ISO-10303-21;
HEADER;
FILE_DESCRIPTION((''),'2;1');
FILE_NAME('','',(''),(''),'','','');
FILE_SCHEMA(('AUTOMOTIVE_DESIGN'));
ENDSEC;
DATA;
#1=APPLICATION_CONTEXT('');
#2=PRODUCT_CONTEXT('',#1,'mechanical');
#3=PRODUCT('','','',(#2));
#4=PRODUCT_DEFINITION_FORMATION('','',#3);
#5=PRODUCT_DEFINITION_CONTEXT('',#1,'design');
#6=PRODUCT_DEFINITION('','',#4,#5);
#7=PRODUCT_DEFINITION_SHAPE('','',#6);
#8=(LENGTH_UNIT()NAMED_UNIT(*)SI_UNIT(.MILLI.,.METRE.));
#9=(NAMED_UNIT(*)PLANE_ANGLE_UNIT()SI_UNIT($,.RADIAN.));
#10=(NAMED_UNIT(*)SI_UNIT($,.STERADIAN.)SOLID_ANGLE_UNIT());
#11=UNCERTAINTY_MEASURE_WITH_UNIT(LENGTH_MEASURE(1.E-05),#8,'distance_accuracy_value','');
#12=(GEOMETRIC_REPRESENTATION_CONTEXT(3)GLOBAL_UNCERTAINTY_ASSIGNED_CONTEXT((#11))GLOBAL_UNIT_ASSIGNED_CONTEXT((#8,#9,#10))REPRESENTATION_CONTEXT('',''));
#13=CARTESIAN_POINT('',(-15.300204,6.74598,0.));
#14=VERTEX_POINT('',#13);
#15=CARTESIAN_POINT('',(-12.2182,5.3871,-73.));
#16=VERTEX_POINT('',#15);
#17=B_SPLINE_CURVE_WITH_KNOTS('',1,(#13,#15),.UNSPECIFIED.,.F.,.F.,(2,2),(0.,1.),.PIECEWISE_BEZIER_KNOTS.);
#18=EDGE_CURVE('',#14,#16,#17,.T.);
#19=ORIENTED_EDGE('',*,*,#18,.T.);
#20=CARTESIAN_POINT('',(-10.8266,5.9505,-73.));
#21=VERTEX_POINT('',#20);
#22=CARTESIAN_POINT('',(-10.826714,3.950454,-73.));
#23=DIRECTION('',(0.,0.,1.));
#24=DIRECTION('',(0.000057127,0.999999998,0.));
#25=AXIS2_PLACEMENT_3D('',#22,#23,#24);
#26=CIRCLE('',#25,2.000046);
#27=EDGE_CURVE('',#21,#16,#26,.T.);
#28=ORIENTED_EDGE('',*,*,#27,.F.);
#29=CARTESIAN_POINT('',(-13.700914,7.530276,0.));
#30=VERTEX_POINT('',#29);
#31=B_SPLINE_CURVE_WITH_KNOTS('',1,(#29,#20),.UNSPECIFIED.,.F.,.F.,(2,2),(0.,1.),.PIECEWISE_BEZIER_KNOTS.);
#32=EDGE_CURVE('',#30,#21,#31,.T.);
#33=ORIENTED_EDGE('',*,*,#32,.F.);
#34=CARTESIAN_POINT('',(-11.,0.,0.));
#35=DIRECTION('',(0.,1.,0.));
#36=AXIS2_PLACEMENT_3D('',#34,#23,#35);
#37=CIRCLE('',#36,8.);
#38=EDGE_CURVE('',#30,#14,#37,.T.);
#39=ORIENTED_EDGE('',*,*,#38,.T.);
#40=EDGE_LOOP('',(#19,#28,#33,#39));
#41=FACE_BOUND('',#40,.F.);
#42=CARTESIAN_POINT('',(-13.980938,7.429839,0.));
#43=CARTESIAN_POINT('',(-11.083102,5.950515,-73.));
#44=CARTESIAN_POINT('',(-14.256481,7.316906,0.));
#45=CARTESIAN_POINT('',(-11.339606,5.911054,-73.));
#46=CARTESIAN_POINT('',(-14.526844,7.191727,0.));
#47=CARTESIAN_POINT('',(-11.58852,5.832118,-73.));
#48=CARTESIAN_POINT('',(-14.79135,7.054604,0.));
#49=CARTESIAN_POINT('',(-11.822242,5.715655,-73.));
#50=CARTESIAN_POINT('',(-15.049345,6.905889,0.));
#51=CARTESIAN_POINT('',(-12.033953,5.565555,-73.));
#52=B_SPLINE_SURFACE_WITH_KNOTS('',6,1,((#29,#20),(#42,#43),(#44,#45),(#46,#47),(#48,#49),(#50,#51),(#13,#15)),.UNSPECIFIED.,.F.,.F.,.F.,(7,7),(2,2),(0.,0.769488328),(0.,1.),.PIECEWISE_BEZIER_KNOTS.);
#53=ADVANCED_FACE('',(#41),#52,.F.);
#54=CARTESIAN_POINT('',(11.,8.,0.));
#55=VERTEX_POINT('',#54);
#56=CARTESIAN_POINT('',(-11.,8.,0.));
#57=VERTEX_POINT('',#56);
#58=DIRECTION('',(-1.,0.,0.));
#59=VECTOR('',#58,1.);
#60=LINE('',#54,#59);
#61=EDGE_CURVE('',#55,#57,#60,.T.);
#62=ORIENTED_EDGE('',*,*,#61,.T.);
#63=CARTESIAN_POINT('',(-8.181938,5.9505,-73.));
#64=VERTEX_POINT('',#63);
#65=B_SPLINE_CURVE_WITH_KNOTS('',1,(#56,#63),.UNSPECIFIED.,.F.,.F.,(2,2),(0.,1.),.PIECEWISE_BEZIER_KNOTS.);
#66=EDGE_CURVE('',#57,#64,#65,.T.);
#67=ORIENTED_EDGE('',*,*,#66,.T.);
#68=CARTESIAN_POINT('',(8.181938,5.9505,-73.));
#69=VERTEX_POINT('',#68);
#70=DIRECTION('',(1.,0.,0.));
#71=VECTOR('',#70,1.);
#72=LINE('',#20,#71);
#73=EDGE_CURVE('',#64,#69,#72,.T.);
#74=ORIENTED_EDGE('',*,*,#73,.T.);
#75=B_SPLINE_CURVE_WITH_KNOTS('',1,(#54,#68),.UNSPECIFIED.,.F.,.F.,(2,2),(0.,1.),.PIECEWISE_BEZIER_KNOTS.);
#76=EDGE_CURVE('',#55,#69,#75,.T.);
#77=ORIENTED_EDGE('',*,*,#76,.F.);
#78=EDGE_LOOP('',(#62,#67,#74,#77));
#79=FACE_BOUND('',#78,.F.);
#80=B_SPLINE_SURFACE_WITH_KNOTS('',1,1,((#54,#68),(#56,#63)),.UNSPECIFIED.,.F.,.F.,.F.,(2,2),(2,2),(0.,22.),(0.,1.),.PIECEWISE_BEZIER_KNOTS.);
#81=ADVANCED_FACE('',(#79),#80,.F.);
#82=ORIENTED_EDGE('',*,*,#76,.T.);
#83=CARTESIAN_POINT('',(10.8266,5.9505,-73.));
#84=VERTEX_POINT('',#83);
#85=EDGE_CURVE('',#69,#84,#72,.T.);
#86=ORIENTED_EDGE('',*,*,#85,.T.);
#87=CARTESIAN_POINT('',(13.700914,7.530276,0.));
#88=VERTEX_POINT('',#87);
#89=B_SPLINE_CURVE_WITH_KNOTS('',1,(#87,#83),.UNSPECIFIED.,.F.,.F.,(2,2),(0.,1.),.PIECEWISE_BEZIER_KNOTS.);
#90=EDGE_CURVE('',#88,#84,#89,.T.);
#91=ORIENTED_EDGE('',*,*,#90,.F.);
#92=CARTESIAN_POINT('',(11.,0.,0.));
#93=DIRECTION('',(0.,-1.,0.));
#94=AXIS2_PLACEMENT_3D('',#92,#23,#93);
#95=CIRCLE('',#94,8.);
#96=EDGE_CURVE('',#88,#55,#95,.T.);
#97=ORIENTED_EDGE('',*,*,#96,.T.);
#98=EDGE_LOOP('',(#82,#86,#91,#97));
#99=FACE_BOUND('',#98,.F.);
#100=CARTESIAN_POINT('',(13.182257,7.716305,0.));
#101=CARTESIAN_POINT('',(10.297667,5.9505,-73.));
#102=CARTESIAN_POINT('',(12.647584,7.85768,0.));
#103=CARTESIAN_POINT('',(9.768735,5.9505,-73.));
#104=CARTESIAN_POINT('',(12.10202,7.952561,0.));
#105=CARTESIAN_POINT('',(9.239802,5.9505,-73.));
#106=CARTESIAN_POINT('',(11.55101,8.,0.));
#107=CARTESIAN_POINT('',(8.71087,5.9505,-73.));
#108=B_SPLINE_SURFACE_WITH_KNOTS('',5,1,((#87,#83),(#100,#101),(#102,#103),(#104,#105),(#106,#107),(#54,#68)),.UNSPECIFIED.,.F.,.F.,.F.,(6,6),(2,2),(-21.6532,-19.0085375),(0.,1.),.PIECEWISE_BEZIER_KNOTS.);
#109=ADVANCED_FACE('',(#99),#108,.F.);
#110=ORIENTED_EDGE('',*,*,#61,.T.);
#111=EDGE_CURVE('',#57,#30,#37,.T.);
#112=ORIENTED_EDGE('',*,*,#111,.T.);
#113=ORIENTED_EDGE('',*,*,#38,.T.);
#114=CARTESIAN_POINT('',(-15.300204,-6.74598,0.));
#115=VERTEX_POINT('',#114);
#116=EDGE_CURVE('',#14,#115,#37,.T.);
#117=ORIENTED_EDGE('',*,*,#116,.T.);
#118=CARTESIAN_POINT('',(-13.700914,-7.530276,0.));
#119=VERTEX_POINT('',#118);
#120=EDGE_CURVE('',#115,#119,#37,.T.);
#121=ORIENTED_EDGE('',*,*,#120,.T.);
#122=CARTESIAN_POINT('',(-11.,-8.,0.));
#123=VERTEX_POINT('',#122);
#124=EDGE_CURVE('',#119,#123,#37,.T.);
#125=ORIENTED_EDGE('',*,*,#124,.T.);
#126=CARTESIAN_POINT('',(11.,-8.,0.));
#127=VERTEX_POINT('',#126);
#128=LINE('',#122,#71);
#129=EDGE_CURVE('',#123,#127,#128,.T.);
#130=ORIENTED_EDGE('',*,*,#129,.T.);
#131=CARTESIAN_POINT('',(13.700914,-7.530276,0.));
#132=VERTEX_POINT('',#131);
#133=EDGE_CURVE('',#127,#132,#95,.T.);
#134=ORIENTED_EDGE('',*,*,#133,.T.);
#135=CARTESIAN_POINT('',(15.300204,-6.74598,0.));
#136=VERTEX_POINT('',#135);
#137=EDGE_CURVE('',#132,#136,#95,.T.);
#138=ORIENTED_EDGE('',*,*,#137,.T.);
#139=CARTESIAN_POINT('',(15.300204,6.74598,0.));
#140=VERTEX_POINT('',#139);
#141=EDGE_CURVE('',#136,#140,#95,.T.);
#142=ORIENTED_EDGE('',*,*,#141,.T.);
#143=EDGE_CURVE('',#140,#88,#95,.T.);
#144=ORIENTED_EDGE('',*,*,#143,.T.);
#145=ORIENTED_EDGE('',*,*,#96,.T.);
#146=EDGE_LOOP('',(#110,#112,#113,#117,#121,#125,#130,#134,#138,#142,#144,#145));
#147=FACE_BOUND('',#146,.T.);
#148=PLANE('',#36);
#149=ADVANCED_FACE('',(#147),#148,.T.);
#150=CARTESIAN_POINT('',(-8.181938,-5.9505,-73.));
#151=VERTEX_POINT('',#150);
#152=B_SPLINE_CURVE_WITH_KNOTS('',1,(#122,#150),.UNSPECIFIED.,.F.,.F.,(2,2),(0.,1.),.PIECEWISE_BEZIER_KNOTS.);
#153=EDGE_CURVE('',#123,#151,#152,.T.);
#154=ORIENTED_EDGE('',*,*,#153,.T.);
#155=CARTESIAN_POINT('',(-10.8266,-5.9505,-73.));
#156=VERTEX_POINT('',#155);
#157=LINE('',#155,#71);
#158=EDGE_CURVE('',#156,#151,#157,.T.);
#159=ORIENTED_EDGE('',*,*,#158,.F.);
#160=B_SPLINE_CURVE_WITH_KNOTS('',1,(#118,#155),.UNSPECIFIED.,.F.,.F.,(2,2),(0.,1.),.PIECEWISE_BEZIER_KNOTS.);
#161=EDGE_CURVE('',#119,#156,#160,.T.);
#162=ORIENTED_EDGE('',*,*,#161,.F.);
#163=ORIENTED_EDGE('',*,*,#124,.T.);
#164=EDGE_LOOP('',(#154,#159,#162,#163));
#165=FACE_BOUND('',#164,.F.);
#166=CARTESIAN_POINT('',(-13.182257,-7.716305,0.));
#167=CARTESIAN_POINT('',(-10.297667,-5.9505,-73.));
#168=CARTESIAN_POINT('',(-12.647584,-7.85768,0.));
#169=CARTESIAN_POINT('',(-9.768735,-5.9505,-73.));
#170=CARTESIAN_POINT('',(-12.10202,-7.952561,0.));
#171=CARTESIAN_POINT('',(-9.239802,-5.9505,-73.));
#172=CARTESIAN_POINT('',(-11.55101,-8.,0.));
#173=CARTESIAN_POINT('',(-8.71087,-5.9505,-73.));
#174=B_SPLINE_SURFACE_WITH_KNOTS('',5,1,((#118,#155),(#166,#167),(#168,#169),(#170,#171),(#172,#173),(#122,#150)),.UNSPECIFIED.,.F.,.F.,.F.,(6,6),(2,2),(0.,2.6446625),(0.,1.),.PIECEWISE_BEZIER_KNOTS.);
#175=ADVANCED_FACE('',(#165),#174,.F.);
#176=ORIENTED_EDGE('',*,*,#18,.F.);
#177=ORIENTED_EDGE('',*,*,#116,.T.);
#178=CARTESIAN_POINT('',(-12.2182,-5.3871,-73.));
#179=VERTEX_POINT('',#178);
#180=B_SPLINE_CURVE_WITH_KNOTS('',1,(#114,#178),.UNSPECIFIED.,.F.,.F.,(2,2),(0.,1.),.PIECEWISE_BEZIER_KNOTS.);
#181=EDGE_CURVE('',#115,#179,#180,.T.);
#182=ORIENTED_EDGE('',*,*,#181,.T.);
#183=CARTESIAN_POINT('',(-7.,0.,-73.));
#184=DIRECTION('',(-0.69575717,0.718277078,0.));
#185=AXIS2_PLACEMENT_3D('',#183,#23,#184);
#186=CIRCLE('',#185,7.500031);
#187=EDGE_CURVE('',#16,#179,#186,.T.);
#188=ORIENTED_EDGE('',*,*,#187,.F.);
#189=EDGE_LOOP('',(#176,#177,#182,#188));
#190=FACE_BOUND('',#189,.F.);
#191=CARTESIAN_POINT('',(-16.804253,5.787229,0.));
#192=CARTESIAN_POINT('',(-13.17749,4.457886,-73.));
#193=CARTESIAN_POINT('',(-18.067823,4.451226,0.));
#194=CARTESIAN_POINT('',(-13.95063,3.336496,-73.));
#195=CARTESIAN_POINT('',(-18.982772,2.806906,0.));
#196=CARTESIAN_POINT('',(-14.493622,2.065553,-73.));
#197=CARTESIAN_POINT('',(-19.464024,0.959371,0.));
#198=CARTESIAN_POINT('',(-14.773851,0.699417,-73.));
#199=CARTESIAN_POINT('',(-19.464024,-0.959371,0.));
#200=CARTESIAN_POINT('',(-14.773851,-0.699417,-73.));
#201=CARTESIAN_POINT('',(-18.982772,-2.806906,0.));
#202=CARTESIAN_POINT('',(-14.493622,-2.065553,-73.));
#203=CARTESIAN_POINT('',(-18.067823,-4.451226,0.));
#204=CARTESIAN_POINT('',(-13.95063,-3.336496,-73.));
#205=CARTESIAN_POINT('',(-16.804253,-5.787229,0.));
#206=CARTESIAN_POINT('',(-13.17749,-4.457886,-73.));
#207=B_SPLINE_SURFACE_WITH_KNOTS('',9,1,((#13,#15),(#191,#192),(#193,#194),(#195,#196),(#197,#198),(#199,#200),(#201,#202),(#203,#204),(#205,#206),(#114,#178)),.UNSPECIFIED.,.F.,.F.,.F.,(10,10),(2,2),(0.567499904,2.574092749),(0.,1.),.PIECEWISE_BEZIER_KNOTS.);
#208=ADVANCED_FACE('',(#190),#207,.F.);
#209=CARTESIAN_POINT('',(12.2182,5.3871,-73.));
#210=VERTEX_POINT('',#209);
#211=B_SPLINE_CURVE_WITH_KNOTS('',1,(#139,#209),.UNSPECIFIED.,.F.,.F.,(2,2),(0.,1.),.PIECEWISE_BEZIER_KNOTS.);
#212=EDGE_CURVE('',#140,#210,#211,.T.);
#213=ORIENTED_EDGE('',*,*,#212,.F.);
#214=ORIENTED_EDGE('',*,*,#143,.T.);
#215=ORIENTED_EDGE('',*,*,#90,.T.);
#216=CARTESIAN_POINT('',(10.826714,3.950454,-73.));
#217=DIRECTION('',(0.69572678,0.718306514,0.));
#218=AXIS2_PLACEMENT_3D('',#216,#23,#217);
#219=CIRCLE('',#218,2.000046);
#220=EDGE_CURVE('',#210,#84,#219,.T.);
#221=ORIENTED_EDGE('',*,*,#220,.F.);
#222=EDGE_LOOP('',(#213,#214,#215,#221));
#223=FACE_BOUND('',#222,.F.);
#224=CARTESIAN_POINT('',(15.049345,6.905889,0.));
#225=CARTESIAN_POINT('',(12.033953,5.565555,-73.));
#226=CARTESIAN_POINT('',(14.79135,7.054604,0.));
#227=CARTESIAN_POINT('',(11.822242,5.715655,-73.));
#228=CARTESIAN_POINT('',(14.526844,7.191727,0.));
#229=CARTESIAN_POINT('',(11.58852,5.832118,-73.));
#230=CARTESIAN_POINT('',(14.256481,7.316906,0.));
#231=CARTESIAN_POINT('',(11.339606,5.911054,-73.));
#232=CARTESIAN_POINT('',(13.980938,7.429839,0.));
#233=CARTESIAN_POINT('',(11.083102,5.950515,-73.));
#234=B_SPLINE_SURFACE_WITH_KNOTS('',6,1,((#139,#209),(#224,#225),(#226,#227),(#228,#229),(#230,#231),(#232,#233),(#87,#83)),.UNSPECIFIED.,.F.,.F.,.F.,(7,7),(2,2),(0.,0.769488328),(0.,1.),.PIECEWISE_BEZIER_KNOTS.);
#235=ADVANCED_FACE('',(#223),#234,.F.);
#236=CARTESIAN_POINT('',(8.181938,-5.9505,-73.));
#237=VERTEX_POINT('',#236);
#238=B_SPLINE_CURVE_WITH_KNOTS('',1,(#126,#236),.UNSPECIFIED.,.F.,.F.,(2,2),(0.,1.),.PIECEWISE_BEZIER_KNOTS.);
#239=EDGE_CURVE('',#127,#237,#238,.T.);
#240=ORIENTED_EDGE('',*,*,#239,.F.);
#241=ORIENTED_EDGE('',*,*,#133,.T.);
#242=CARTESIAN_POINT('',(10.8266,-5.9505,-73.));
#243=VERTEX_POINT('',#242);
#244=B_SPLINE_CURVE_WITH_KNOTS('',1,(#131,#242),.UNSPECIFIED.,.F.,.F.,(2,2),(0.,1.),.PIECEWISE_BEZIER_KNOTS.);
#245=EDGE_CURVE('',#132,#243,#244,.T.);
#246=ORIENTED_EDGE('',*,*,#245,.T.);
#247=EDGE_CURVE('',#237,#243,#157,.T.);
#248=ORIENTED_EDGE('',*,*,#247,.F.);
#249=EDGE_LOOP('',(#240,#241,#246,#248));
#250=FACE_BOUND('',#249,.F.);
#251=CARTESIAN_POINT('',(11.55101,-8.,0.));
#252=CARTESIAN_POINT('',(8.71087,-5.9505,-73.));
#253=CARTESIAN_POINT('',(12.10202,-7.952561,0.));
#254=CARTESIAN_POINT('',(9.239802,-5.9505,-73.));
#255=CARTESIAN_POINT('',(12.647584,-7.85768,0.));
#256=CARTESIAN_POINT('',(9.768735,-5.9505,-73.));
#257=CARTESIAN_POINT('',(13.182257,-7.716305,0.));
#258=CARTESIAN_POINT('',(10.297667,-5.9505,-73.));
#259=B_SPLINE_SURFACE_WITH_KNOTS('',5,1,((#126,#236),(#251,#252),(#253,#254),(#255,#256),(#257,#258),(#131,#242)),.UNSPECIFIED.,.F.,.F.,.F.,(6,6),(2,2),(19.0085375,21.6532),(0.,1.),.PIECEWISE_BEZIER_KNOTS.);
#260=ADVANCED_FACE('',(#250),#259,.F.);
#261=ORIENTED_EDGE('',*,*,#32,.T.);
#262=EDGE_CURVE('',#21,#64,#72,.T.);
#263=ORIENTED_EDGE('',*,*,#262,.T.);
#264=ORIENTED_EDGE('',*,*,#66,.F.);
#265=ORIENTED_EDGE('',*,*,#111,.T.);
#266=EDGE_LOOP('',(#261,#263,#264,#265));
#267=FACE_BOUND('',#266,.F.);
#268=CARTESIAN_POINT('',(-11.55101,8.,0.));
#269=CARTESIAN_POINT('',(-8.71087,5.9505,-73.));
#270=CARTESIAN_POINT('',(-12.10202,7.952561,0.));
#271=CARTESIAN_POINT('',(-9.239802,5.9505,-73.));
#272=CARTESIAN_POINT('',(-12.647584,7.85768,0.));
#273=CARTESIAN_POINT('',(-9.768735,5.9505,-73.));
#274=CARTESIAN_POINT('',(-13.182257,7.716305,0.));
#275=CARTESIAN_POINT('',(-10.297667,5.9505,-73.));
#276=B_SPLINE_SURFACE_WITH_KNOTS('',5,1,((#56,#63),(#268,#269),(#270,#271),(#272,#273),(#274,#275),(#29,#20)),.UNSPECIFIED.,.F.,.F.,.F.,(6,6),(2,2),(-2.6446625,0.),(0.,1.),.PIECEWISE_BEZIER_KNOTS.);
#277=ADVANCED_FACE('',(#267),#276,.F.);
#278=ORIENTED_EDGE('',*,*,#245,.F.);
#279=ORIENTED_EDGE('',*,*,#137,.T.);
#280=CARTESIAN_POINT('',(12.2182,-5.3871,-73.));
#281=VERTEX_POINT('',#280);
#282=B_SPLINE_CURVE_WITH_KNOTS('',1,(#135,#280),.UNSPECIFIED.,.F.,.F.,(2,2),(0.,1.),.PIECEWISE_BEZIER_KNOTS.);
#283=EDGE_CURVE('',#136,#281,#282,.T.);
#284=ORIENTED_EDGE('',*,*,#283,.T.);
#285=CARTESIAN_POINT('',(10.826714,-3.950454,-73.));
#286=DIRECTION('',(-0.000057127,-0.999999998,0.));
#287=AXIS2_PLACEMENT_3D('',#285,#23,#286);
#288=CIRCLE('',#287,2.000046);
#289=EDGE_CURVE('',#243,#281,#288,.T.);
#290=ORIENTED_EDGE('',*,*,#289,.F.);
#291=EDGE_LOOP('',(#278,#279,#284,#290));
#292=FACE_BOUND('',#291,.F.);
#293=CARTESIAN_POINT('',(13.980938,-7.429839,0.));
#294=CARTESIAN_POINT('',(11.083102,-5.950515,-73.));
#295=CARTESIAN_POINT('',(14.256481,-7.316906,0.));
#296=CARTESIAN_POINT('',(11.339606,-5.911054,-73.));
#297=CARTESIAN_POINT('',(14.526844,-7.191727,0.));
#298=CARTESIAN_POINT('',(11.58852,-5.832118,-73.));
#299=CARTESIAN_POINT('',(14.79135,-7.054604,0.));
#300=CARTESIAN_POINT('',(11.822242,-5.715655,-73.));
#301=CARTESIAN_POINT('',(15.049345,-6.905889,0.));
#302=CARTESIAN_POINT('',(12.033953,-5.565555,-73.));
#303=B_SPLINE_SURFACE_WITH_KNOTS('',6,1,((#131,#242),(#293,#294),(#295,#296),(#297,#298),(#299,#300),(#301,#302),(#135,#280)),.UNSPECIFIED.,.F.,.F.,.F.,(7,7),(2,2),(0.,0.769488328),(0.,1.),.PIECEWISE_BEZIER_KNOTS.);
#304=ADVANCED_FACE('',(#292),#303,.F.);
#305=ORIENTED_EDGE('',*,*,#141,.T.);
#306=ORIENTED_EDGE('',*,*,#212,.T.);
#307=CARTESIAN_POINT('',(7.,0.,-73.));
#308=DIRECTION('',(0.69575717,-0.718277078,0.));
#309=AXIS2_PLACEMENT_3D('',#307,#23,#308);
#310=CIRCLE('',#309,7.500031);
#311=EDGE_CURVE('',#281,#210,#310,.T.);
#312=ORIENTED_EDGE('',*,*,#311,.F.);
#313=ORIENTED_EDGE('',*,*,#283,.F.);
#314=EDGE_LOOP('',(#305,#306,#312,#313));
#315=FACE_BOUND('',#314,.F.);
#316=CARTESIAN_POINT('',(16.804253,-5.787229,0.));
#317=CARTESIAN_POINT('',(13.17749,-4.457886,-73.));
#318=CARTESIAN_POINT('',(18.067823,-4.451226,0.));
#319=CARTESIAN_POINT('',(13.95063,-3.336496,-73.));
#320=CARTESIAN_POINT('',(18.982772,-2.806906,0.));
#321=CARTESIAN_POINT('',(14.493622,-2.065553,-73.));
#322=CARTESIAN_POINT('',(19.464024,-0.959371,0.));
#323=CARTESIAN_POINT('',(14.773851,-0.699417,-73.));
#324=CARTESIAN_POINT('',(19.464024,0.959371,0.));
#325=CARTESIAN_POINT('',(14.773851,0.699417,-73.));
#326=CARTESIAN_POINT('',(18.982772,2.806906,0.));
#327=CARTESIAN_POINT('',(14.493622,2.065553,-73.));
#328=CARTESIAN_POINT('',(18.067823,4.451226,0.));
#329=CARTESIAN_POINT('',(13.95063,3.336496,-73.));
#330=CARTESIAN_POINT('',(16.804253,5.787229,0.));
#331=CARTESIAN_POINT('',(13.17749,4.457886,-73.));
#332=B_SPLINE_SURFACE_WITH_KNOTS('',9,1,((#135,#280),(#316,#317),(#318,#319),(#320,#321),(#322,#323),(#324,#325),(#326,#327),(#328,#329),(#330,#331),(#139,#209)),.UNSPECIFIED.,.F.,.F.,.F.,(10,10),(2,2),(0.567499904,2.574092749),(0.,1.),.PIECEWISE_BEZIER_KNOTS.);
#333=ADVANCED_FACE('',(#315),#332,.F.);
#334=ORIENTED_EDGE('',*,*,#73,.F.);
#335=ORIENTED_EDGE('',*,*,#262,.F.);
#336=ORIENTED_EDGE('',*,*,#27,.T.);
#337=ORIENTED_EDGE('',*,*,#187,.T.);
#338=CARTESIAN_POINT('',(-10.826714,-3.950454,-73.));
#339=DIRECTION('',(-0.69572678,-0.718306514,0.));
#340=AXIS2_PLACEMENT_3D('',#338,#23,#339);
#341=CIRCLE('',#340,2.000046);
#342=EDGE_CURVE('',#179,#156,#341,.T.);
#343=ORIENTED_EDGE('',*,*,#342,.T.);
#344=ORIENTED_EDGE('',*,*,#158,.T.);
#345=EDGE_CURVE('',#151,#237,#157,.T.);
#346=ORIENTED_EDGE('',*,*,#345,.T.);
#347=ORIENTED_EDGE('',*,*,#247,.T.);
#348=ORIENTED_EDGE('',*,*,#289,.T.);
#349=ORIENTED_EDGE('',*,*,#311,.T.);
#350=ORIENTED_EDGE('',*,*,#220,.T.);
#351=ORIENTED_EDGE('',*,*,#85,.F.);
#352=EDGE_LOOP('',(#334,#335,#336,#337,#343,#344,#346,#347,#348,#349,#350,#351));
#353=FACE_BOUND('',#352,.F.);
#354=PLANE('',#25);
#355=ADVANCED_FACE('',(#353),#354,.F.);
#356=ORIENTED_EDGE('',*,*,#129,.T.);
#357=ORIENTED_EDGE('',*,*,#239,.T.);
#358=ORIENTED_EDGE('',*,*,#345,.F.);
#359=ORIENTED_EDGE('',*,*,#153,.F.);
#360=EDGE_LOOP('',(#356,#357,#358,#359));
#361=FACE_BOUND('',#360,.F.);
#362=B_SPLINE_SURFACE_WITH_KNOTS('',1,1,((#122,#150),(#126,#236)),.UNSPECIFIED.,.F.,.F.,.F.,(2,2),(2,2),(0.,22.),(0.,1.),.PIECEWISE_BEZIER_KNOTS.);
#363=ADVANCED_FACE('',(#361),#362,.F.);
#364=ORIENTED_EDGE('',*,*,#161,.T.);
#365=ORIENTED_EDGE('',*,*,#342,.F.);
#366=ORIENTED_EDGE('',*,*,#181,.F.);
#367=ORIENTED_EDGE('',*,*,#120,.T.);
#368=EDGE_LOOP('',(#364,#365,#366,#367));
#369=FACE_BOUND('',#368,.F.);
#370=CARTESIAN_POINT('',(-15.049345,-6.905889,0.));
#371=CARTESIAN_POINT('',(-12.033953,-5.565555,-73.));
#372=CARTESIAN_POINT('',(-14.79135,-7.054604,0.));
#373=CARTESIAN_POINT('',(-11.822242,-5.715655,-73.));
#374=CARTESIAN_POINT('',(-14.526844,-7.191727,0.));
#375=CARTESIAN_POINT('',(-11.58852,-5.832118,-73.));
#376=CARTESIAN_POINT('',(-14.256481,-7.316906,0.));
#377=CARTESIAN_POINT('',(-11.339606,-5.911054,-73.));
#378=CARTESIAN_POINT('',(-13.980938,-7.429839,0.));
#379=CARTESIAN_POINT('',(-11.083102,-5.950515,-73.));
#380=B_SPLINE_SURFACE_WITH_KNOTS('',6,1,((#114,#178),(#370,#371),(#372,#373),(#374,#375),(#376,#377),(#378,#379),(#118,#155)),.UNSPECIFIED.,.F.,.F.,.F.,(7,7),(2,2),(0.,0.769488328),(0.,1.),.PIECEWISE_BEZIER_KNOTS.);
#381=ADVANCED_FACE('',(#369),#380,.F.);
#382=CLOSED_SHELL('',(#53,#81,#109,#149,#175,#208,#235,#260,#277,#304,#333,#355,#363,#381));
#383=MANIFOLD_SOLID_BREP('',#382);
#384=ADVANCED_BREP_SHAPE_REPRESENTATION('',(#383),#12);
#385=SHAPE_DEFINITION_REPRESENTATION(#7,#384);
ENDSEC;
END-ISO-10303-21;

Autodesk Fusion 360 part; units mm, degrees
sketch "Sketch1" plane through (0, 0, 0) normal (0, 0, 1) x (1, 0, 0) in component "Component"
  line L0 (-11, -8) -> (11, -8)
  arc A0 (11, -8) -> (11, 8) centre (11, 0) ccw
  line L1 (11, 8) -> (-11, 8)
  arc A1 (-11, 8) -> (-11, -8) centre (-11, 0) ccw
  line L2 (-11, 0) -> (11, 0) construction
  dimension "d1" = 11
  dimension "d2" = 16
ref_plane "WorkPlane1" through (0, 0, -73) normal (0, 0, 1) x (1, 0, 0) in component "Component"
sketch "Sketch2" plane through (0, 0, -73) normal (0, 0, 1) x (1, 0, 0) in component "Component"
  line L0 (-7, -7.5) -> (7, -7.5) construction
  arc A0 (7, -7.5) -> (7, 7.5) centre (7, 0) ccw construction
  line L1 (7, 7.5) -> (-7, 7.5) construction
  arc A1 (-7, 7.5) -> (-7, -7.5) centre (-7, 0) ccw construction
  line L2 (-7, 0) -> (7, 0) construction
  line L3 (-10.8266, 5.9505) -> (10.8266, 5.9505)
  line L4 (-10.8266, -5.9505) -> (10.8266, -5.9505)
  arc A2 (-12.2182, 5.3871) -> (-12.2182, -5.3871) centre (-7, 0) ccw
  arc A3 (12.2182, -5.3871) -> (12.2182, 5.3871) centre (7, 0) ccw
  arc A4 (-10.8266, 5.9505) -> (-12.2182, 5.3871) centre (-10.8266, 3.9505) ccw
  arc A5 (-12.2182, -5.3871) -> (-10.8266, -5.9505) centre (-10.8266, -3.9505) ccw
  arc A6 (10.8266, -5.9505) -> (12.2182, -5.3871) centre (10.8266, -3.9505) ccw
  arc A7 (12.2182, 5.3871) -> (10.8266, 5.9505) centre (10.8266, 3.9505) ccw
  point P0 (0, 0)
  point P1 (-11.5652, 5.9505)
  point P2 (11.5652, 5.9505)
  point P3 (-11.5652, -5.9505)
  point P4 (11.5652, -5.9505)
  dimension "d4" = 7
  dimension "d5" = 15
  dimension "d6" = 23.1304
  dimension "d7" = 23.1304
  dimension "d8" = 2
loft "Loft1" add profiles "Sketch1", "Sketch2" section 1 section 2 in component "Component"
component "Component" placed x (1, 0, 0) y (0, 1, 0) z (0, 0, 1) at (0, 0, 0)
